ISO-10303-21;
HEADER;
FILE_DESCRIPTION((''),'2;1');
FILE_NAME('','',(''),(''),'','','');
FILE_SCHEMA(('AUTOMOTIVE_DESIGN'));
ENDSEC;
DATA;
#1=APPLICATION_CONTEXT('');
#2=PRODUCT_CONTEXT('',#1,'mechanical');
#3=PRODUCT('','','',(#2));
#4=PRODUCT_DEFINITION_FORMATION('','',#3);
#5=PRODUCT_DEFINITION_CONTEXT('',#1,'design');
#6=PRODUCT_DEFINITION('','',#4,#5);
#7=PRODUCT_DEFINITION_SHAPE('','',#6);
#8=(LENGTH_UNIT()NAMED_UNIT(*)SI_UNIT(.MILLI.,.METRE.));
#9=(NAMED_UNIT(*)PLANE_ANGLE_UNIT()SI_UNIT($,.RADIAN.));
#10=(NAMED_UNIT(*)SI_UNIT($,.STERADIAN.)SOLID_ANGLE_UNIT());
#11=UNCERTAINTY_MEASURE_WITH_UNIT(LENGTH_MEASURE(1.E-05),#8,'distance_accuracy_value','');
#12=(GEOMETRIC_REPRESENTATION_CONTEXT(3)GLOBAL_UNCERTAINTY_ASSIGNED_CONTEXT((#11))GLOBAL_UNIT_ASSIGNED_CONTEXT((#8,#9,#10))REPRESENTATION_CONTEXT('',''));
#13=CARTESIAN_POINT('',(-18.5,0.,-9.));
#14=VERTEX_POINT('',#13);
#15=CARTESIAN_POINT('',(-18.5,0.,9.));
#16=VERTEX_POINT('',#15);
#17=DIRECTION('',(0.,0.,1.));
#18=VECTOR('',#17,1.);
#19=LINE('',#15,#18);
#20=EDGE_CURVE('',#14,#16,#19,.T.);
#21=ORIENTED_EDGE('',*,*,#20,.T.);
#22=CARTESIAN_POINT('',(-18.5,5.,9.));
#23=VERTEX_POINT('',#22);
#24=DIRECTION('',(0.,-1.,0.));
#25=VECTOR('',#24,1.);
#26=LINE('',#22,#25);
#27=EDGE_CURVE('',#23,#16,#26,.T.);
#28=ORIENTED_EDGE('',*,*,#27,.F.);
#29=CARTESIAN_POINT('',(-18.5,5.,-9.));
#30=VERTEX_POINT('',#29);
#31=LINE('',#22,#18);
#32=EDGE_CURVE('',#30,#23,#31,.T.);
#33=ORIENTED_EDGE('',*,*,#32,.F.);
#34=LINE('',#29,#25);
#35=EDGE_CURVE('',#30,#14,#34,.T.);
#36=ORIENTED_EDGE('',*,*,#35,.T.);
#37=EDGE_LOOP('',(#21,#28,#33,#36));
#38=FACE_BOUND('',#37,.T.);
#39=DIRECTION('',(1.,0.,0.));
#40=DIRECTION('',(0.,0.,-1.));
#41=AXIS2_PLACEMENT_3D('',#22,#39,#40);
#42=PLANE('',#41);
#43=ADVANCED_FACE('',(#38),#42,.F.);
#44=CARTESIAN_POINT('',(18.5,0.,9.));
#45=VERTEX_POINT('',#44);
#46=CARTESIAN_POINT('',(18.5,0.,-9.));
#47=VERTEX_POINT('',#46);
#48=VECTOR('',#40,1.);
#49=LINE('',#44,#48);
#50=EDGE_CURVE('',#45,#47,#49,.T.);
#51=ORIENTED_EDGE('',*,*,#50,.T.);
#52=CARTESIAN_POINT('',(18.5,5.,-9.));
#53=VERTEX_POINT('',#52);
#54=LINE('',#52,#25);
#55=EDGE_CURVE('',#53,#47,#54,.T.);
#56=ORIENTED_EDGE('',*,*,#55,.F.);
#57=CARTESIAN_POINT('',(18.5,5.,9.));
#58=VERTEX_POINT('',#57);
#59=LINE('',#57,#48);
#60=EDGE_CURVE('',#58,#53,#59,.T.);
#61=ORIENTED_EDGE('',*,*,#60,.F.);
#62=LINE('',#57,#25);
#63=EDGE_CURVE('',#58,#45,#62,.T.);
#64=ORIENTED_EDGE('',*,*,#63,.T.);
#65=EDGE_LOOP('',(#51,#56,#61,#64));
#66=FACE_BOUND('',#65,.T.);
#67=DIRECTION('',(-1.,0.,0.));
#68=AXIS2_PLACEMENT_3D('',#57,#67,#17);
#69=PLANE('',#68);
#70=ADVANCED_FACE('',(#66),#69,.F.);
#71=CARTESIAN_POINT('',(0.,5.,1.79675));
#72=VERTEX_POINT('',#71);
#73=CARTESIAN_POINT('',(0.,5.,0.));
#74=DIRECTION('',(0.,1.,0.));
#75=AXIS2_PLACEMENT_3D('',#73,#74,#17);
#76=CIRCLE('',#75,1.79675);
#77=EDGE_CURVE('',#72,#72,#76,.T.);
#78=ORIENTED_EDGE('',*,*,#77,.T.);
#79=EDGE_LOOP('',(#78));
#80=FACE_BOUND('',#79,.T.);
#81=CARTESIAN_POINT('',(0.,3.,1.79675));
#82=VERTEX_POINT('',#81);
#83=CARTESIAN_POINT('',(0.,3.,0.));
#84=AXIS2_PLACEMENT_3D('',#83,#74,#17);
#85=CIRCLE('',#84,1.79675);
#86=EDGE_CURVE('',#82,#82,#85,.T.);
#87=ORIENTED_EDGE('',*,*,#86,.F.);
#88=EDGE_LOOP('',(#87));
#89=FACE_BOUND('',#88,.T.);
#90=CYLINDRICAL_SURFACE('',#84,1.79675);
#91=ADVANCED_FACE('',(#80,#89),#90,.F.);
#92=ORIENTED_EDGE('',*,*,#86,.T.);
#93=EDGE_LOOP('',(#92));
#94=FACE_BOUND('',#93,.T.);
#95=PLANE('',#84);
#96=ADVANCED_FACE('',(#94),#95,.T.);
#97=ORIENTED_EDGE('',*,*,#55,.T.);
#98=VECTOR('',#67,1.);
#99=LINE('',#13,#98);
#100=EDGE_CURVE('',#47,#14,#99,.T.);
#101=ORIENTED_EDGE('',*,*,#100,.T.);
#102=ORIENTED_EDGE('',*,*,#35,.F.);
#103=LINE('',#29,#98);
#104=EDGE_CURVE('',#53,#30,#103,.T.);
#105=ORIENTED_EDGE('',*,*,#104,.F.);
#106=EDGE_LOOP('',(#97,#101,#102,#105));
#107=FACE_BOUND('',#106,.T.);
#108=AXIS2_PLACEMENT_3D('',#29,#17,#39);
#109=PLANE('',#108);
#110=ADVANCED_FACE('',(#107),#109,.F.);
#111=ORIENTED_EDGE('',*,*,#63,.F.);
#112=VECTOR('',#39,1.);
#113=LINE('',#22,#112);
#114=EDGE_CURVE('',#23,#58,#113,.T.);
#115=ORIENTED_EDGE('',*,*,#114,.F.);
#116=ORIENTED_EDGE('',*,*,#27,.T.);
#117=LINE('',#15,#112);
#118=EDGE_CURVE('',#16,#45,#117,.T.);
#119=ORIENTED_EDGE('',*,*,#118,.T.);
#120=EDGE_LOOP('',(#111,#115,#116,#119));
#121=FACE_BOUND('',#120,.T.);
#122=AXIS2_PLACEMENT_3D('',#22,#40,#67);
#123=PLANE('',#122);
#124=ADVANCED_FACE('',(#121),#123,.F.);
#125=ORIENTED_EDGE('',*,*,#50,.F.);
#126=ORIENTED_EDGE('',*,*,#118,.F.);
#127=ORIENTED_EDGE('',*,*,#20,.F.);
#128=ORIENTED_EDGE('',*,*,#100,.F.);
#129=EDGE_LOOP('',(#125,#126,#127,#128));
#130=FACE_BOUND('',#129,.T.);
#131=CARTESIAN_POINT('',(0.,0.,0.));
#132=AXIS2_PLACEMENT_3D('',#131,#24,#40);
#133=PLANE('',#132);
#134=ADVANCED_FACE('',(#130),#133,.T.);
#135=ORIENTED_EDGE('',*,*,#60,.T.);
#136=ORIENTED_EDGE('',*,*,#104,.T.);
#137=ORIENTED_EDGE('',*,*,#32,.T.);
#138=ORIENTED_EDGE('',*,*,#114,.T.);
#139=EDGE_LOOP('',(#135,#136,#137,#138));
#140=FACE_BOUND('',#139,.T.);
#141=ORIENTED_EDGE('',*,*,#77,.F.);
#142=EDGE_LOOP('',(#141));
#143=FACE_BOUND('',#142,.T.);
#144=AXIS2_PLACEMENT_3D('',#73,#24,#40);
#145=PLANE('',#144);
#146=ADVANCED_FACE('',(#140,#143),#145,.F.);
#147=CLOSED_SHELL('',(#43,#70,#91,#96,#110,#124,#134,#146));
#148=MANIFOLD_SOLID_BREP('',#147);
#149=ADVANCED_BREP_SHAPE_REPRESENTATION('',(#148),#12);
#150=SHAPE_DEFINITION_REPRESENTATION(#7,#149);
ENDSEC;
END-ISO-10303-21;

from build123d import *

# Parameters (mm, degrees)
SKETCH1_W           = 37
SKETCH1_H           = 18
BOSS_EXTRUDE1_DEPTH = 5
SKETCH2_R           = 1.796750317
CUT_EXTRUDE1_DEPTH  = 2


with BuildPart() as part:
    # Sketch1 → Boss-Extrude1 (new body)
    with BuildSketch(Plane(origin=(0, 0, 0), x_dir=(1, 0, 0), z_dir=(0, 1, 0))):
        Rectangle(SKETCH1_W, SKETCH1_H)
    extrude(amount=BOSS_EXTRUDE1_DEPTH)

    # Sketch2 → Cut-Extrude1 (cut)
    with BuildSketch(Plane(origin=(0, 5, 0), x_dir=(1, 0, 0), z_dir=(0, 1, 0))):
        Circle(SKETCH2_R)
    extrude(amount=-CUT_EXTRUDE1_DEPTH, mode=Mode.SUBTRACT)


solid = part.part
